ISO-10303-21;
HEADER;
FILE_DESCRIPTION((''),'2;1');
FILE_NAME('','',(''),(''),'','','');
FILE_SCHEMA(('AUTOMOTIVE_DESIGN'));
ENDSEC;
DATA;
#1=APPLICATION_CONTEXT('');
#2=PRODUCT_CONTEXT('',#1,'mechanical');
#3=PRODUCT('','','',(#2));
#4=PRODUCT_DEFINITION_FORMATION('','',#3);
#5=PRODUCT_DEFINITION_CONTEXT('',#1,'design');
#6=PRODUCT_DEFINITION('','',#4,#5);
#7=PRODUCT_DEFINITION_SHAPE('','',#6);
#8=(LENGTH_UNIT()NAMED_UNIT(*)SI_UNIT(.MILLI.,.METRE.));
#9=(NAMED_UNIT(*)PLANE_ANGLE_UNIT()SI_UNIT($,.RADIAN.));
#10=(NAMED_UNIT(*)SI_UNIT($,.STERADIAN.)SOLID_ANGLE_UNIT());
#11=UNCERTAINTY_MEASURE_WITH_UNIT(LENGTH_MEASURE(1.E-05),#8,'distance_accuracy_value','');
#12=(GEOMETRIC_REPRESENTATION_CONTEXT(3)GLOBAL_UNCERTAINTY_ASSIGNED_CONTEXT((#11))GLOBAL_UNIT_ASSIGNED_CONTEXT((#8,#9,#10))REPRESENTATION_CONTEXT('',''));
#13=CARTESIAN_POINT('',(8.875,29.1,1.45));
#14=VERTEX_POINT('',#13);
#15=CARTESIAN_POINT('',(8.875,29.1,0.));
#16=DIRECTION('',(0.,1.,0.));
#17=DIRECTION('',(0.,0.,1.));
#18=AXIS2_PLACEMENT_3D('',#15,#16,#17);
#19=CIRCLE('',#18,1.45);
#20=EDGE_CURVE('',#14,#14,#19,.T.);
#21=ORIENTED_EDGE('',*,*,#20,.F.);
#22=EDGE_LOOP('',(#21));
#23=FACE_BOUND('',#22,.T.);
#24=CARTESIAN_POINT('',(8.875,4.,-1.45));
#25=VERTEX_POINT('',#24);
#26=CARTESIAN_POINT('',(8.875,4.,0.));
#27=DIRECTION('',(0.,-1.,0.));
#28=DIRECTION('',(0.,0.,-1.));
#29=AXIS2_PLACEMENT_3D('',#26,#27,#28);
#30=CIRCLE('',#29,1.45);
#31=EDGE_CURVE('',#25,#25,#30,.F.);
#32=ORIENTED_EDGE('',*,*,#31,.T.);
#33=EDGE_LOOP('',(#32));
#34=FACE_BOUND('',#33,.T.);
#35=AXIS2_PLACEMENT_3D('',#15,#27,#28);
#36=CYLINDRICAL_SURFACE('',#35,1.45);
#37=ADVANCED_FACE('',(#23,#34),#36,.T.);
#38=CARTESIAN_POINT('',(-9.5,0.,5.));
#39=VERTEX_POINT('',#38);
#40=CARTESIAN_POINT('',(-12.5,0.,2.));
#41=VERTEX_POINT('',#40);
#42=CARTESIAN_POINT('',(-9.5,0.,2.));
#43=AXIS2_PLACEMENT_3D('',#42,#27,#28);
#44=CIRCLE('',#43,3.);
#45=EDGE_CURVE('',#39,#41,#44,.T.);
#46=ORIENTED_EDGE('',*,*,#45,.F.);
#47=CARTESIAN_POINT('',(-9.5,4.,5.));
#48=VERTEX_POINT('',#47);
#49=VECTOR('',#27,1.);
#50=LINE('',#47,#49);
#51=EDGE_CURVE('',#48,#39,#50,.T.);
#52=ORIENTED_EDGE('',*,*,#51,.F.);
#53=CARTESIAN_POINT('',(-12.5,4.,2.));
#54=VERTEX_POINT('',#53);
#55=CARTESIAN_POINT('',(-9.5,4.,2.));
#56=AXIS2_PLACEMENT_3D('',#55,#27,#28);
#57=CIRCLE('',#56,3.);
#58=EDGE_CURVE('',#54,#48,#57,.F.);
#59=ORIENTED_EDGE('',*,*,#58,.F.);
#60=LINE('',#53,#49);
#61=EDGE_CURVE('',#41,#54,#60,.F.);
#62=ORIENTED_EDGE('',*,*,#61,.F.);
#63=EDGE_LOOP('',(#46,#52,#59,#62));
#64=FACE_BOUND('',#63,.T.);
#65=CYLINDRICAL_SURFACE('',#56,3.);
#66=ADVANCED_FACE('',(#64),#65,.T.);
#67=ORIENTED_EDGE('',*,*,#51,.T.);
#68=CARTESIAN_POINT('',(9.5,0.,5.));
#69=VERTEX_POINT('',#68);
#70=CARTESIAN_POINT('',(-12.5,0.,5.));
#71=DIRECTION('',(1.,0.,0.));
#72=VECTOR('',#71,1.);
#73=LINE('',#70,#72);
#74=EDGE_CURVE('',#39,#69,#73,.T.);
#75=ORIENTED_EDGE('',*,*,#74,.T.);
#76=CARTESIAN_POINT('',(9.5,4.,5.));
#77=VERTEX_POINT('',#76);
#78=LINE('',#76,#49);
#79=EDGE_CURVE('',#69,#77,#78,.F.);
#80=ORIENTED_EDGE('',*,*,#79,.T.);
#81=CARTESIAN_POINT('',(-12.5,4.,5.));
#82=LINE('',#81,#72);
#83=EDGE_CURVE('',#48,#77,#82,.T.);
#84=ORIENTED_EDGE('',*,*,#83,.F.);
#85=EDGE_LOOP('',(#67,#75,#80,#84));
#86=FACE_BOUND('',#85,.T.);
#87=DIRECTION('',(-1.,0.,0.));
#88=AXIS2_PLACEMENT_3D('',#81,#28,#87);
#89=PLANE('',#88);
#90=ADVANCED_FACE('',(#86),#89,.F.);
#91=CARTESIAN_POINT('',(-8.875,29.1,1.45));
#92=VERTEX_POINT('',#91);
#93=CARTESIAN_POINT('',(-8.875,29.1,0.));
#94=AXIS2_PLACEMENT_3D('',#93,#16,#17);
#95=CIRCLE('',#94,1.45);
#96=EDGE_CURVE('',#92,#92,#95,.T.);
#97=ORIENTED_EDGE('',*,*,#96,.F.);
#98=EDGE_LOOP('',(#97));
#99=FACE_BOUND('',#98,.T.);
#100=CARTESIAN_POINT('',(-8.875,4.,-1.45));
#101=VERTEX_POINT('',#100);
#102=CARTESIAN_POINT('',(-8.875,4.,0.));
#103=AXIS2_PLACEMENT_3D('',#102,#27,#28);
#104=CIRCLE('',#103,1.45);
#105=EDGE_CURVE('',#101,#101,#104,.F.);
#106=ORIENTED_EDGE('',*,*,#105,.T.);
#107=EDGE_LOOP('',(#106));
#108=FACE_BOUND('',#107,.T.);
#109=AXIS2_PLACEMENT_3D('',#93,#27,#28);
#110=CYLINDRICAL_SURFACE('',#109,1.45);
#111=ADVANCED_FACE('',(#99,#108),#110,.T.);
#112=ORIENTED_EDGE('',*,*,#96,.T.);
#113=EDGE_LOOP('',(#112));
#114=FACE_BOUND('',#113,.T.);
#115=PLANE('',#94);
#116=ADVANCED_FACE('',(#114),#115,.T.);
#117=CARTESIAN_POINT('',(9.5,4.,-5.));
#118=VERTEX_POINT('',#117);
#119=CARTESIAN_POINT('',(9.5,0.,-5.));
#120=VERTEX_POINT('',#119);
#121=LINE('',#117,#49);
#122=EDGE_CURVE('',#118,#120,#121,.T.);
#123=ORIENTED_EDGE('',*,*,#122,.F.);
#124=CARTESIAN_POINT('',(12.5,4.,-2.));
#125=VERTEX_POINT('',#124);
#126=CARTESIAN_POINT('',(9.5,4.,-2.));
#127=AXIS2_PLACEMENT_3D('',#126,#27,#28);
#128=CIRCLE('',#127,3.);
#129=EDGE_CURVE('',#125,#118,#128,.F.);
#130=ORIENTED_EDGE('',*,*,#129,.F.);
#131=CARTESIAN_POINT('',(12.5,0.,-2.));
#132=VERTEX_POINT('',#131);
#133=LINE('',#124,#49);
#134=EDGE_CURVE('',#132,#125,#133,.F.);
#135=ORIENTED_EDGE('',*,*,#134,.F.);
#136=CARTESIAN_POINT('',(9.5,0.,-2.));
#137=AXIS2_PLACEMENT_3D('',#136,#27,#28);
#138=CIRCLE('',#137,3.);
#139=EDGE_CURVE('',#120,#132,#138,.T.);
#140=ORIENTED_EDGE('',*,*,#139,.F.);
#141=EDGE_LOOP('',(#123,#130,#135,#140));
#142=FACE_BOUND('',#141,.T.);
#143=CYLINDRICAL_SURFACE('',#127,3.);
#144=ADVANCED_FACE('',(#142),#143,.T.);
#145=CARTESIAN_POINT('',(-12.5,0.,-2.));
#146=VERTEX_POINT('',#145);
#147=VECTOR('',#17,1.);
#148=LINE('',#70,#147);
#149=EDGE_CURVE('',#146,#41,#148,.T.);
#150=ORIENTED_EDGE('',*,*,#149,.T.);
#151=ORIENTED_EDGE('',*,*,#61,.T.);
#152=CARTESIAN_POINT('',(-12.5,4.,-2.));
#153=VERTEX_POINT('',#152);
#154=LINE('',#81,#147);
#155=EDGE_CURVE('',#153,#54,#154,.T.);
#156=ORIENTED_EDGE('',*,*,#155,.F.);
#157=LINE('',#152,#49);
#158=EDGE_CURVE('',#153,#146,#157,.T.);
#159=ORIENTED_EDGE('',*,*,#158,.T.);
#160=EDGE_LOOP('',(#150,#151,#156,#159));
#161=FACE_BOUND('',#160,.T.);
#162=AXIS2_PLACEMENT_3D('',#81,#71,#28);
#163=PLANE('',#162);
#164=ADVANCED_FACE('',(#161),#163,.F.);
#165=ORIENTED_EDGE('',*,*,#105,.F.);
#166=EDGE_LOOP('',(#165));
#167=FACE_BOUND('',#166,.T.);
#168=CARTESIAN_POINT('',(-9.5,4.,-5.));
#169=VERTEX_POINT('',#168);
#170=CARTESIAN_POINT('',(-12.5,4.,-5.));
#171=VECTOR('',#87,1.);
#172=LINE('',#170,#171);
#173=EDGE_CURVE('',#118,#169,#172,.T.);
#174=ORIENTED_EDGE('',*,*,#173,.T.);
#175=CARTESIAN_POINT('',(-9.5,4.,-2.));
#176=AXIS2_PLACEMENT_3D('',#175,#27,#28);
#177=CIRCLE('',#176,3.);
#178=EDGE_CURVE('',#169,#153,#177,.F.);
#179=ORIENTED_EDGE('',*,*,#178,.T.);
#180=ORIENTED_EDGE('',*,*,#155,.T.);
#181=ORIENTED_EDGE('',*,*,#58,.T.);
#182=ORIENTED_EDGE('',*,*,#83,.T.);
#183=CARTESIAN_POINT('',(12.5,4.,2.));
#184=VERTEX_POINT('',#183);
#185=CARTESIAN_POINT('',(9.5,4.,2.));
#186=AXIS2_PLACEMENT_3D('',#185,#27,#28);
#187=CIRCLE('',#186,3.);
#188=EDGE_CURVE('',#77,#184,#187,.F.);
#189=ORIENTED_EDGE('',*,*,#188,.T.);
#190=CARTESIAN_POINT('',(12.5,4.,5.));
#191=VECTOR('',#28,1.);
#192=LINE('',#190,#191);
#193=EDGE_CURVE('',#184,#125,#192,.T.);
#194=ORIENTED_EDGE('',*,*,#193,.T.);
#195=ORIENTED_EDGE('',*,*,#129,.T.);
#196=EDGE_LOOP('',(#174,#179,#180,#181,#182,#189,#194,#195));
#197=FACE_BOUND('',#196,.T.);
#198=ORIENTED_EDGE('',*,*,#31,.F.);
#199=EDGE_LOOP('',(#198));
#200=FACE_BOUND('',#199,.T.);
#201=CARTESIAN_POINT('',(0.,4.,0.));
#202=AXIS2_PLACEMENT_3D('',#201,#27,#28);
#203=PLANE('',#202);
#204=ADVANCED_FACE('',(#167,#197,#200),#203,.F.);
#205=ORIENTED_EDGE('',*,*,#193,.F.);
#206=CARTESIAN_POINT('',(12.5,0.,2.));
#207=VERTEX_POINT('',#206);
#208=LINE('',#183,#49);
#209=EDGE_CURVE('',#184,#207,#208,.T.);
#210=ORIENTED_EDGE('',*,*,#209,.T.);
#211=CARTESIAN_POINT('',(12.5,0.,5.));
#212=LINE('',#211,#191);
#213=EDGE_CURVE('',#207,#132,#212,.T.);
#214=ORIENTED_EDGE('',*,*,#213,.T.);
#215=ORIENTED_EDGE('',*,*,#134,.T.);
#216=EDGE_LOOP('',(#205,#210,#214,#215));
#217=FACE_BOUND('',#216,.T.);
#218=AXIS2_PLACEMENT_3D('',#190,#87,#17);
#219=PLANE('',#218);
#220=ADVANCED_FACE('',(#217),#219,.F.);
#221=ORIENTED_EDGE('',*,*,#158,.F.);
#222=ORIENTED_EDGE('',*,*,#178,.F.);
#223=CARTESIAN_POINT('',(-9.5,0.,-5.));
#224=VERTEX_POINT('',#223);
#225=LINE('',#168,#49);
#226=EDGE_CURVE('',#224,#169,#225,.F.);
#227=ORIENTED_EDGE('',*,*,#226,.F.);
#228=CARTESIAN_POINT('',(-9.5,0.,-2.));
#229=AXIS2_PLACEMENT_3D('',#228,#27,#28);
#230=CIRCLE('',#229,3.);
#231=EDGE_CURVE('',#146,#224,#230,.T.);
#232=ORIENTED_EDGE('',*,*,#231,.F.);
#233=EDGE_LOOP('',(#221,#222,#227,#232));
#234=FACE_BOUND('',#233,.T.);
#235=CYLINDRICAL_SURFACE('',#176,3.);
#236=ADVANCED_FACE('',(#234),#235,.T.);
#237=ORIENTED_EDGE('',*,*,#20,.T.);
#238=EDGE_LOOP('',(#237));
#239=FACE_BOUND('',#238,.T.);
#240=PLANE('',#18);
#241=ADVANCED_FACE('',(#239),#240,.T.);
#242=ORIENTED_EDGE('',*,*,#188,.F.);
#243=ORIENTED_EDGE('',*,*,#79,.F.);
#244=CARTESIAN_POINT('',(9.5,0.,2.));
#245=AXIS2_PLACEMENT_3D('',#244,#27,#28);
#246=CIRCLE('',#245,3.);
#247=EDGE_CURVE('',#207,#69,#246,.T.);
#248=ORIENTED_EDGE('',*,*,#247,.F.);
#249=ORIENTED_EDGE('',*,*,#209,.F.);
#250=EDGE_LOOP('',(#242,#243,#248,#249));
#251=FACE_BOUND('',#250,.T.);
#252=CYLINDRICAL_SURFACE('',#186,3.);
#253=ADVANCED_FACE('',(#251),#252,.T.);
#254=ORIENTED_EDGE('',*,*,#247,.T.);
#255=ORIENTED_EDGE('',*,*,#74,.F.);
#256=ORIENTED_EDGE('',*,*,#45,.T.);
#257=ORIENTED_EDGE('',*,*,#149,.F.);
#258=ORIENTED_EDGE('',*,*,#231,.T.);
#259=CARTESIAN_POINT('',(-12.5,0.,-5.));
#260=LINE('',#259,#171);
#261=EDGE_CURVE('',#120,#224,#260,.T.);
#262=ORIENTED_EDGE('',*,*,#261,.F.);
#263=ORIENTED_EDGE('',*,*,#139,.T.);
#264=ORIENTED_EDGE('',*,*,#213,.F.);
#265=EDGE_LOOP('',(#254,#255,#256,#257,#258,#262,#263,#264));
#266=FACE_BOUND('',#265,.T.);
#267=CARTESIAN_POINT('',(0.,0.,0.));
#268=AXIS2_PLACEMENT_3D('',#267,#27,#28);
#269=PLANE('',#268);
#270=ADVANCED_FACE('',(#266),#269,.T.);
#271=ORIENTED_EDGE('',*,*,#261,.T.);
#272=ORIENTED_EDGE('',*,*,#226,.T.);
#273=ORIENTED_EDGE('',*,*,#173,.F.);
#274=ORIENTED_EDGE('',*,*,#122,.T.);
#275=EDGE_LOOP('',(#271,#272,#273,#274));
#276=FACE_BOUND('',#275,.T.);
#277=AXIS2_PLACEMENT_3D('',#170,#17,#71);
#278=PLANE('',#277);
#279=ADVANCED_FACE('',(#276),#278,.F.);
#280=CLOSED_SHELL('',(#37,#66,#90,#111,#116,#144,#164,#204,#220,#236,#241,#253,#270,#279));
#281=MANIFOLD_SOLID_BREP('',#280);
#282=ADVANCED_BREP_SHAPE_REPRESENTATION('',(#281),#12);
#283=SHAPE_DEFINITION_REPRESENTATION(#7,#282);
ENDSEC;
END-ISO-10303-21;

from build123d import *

# Parameters (mm, degrees)
SKETCH1_W           = 25
SKETCH1_H           = 10
BOSS_EXTRUDE1_DEPTH = 4
SKETCH2_R           = 1.45
BOSS_EXTRUDE2_DEPTH = 25.1
FILLET1_R           = 3


with BuildPart() as part:
    # Sketch1 → Boss-Extrude1 (new body)
    with BuildSketch(Plane(origin=(0, 0, 0), x_dir=(1, 0, 0), z_dir=(0, 1, 0))):
        Rectangle(SKETCH1_W, SKETCH1_H)
    extrude(amount=BOSS_EXTRUDE1_DEPTH)

    # Sketch2 → Boss-Extrude2 (add)
    with BuildSketch(Plane(origin=(0, 4, 0), x_dir=(1, 0, 0), z_dir=(0, 1, 0))):
        with Locations(Location((8.875, 0, 0), (0, 0, 90))):
            Circle(SKETCH2_R)
        with Locations(Location((-8.875, 0, 0), (0, 0, 90))):
            Circle(SKETCH2_R)
    extrude(amount=BOSS_EXTRUDE2_DEPTH)

    # Fillet1
    fillet1_edges = [part.edges().sort_by_distance(p)[0] for p in [
        (12.5, 2, 5),
        (-12.5, 2, 5),
        (-12.5, 2, -5),
        (12.5, 2, -5),
    ]]
    fillet(fillet1_edges, radius=FILLET1_R)


solid = part.part
